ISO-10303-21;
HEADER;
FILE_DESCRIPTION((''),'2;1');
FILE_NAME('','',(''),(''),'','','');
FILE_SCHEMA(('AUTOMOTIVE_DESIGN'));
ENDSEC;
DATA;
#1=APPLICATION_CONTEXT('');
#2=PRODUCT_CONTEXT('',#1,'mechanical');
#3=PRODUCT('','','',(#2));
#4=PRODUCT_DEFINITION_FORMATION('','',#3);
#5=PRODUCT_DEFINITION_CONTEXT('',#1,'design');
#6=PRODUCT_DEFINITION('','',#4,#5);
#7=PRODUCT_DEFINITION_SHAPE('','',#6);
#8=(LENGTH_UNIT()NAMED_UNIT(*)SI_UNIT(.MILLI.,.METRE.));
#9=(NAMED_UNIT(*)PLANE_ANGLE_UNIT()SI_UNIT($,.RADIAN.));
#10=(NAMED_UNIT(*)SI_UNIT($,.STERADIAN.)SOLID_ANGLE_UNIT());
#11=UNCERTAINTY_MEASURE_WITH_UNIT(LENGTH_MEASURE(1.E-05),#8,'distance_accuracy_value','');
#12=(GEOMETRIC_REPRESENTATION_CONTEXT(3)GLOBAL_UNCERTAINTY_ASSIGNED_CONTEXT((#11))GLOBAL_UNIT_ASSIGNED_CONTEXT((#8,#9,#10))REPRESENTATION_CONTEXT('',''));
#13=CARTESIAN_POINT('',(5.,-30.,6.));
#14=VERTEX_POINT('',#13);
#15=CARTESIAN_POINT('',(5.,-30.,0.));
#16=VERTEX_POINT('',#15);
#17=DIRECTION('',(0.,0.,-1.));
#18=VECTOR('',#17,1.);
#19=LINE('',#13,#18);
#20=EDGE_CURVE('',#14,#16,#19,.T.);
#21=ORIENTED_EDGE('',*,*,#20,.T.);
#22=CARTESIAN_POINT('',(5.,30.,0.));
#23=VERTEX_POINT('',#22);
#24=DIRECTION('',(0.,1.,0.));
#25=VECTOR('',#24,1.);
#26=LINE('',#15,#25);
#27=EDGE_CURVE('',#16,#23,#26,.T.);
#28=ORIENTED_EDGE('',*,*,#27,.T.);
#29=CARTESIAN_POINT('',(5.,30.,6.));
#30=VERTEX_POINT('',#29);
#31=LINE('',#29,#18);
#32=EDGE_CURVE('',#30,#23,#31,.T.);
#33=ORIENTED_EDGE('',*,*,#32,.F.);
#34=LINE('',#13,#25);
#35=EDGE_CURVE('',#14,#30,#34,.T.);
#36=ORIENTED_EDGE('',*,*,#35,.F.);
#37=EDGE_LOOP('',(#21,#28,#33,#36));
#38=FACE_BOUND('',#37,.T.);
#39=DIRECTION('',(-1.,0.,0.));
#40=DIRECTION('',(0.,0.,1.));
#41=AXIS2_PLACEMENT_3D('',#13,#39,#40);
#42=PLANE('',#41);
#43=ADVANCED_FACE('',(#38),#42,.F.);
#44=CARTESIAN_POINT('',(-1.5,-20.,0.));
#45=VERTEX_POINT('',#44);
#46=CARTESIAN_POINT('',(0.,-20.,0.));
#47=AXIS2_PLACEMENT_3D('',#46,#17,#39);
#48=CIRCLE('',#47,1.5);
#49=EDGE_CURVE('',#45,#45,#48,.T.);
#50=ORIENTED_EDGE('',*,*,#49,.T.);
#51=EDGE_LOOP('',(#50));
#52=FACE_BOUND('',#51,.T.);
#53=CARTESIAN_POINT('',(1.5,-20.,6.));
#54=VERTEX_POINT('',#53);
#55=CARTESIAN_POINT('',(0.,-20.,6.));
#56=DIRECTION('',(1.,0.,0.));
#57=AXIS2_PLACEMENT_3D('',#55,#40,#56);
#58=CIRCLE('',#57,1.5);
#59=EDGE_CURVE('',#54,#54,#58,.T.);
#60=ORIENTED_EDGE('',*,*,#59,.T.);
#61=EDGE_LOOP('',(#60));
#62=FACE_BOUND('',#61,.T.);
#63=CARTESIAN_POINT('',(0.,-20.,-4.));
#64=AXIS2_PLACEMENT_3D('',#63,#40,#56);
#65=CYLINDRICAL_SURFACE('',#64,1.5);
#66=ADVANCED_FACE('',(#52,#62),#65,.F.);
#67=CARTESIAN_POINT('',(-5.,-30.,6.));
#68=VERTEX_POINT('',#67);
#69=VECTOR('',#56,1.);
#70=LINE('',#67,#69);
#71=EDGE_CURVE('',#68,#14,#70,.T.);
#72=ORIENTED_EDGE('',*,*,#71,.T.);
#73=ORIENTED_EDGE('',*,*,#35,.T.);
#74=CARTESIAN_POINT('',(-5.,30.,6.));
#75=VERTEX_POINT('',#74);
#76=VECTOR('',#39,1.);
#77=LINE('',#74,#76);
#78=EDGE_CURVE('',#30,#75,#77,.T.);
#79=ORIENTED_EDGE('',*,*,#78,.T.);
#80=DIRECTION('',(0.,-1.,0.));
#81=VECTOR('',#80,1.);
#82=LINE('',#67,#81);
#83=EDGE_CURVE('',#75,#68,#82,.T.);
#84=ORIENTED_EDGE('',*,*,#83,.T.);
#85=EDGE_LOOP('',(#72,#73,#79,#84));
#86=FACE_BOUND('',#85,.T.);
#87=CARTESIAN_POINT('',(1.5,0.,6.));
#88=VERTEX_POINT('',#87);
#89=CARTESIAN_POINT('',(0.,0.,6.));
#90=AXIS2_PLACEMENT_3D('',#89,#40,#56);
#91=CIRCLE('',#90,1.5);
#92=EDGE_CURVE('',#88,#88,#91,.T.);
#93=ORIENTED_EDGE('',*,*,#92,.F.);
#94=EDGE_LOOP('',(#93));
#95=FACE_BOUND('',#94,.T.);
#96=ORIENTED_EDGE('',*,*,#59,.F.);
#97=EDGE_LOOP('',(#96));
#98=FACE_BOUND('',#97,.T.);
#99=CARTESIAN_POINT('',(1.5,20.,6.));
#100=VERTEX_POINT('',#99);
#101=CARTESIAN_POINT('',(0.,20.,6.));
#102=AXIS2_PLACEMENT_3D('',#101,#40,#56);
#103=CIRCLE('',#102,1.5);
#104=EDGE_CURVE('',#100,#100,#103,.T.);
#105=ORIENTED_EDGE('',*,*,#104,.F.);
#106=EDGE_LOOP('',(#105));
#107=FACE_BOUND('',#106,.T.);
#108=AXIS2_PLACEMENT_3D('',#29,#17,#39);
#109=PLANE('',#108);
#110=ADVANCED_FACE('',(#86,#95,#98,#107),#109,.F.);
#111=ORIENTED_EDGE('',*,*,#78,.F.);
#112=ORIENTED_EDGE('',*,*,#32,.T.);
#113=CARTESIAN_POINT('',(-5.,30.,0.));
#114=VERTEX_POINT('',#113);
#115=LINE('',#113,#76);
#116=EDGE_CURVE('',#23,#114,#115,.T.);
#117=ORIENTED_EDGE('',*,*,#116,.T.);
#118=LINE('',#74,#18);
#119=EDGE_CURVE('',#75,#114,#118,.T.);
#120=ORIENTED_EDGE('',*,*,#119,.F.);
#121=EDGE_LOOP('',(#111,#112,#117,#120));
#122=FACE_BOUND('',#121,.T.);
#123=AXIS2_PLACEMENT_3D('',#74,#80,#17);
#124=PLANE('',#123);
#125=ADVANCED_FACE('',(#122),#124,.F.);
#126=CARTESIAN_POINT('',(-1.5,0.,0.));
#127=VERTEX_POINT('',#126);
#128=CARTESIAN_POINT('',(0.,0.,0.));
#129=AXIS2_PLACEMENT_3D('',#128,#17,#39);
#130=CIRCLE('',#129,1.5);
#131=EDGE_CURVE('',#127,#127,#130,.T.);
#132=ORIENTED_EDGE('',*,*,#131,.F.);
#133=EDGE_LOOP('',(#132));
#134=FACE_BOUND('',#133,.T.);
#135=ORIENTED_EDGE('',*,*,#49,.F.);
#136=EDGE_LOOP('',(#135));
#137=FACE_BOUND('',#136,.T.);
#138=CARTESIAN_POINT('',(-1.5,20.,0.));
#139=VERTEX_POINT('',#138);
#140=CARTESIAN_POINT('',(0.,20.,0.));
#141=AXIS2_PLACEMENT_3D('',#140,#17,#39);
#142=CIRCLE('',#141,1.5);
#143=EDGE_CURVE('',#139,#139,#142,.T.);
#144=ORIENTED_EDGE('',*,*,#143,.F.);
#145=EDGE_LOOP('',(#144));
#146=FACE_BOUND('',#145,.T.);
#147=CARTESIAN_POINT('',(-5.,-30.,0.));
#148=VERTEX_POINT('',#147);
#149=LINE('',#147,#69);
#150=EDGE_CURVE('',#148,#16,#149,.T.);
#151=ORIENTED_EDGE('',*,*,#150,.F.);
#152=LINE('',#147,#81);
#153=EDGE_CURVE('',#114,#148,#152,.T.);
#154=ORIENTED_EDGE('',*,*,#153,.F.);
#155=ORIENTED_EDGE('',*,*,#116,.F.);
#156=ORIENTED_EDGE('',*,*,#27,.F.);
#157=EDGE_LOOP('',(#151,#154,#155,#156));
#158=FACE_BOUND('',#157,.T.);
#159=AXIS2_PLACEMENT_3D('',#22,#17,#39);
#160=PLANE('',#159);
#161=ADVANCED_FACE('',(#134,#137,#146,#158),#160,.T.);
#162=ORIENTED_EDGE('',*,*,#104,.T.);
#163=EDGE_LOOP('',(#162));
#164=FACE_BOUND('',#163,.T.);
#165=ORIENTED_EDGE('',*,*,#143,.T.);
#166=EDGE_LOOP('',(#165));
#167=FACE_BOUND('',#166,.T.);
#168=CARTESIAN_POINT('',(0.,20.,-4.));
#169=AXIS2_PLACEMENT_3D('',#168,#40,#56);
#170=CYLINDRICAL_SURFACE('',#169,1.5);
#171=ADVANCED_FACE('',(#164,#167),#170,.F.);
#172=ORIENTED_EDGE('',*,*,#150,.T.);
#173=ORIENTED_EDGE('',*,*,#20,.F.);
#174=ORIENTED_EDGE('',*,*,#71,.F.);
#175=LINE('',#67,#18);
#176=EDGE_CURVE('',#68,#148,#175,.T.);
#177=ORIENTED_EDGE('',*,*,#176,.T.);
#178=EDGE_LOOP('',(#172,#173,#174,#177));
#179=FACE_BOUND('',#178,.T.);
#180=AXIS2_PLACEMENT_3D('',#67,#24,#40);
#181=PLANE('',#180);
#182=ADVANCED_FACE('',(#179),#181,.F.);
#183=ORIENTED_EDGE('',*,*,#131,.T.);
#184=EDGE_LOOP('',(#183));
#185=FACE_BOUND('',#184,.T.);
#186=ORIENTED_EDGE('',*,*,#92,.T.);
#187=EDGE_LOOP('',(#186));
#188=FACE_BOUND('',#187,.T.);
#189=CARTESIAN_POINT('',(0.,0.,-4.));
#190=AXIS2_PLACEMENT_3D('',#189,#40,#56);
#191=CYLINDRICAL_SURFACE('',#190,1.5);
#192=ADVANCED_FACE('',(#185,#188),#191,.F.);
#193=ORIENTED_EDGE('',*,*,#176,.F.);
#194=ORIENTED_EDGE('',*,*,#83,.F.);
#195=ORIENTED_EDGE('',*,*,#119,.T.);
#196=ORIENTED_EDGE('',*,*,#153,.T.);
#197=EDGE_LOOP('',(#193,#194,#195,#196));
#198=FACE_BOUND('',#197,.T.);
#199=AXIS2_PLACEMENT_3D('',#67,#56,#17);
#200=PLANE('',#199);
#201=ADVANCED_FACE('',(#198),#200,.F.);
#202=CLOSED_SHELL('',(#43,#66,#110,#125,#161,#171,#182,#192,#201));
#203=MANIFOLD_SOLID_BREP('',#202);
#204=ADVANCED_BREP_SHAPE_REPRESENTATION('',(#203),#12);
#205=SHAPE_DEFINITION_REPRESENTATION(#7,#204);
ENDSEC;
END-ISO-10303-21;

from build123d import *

# Parameters (mm, degrees)
ESQUISSE1_W             = 10
ESQUISSE1_H             = 60
EXTRUSION1_DEPTH        = 6
ESQUISSE2_R             = 1.5
ENL_V_MAT_EXTRU_1_DEPTH = 10


with BuildPart() as part:
    # Esquisse1 → Extrusion1 (new body)
    with BuildSketch(Plane.XY):
        Rectangle(ESQUISSE1_W, ESQUISSE1_H)
    extrude(amount=EXTRUSION1_DEPTH)

    # Esquisse2 → Enlèv. mat.-Extru.1 (cut)
    with BuildSketch(Plane.XY.offset(6)):
        with Locations((0, -20)):
            Circle(ESQUISSE2_R)
        Circle(ESQUISSE2_R)
        with Locations((0, 20)):
            Circle(ESQUISSE2_R)
    extrude(amount=-ENL_V_MAT_EXTRU_1_DEPTH, mode=Mode.SUBTRACT)


solid = part.part
